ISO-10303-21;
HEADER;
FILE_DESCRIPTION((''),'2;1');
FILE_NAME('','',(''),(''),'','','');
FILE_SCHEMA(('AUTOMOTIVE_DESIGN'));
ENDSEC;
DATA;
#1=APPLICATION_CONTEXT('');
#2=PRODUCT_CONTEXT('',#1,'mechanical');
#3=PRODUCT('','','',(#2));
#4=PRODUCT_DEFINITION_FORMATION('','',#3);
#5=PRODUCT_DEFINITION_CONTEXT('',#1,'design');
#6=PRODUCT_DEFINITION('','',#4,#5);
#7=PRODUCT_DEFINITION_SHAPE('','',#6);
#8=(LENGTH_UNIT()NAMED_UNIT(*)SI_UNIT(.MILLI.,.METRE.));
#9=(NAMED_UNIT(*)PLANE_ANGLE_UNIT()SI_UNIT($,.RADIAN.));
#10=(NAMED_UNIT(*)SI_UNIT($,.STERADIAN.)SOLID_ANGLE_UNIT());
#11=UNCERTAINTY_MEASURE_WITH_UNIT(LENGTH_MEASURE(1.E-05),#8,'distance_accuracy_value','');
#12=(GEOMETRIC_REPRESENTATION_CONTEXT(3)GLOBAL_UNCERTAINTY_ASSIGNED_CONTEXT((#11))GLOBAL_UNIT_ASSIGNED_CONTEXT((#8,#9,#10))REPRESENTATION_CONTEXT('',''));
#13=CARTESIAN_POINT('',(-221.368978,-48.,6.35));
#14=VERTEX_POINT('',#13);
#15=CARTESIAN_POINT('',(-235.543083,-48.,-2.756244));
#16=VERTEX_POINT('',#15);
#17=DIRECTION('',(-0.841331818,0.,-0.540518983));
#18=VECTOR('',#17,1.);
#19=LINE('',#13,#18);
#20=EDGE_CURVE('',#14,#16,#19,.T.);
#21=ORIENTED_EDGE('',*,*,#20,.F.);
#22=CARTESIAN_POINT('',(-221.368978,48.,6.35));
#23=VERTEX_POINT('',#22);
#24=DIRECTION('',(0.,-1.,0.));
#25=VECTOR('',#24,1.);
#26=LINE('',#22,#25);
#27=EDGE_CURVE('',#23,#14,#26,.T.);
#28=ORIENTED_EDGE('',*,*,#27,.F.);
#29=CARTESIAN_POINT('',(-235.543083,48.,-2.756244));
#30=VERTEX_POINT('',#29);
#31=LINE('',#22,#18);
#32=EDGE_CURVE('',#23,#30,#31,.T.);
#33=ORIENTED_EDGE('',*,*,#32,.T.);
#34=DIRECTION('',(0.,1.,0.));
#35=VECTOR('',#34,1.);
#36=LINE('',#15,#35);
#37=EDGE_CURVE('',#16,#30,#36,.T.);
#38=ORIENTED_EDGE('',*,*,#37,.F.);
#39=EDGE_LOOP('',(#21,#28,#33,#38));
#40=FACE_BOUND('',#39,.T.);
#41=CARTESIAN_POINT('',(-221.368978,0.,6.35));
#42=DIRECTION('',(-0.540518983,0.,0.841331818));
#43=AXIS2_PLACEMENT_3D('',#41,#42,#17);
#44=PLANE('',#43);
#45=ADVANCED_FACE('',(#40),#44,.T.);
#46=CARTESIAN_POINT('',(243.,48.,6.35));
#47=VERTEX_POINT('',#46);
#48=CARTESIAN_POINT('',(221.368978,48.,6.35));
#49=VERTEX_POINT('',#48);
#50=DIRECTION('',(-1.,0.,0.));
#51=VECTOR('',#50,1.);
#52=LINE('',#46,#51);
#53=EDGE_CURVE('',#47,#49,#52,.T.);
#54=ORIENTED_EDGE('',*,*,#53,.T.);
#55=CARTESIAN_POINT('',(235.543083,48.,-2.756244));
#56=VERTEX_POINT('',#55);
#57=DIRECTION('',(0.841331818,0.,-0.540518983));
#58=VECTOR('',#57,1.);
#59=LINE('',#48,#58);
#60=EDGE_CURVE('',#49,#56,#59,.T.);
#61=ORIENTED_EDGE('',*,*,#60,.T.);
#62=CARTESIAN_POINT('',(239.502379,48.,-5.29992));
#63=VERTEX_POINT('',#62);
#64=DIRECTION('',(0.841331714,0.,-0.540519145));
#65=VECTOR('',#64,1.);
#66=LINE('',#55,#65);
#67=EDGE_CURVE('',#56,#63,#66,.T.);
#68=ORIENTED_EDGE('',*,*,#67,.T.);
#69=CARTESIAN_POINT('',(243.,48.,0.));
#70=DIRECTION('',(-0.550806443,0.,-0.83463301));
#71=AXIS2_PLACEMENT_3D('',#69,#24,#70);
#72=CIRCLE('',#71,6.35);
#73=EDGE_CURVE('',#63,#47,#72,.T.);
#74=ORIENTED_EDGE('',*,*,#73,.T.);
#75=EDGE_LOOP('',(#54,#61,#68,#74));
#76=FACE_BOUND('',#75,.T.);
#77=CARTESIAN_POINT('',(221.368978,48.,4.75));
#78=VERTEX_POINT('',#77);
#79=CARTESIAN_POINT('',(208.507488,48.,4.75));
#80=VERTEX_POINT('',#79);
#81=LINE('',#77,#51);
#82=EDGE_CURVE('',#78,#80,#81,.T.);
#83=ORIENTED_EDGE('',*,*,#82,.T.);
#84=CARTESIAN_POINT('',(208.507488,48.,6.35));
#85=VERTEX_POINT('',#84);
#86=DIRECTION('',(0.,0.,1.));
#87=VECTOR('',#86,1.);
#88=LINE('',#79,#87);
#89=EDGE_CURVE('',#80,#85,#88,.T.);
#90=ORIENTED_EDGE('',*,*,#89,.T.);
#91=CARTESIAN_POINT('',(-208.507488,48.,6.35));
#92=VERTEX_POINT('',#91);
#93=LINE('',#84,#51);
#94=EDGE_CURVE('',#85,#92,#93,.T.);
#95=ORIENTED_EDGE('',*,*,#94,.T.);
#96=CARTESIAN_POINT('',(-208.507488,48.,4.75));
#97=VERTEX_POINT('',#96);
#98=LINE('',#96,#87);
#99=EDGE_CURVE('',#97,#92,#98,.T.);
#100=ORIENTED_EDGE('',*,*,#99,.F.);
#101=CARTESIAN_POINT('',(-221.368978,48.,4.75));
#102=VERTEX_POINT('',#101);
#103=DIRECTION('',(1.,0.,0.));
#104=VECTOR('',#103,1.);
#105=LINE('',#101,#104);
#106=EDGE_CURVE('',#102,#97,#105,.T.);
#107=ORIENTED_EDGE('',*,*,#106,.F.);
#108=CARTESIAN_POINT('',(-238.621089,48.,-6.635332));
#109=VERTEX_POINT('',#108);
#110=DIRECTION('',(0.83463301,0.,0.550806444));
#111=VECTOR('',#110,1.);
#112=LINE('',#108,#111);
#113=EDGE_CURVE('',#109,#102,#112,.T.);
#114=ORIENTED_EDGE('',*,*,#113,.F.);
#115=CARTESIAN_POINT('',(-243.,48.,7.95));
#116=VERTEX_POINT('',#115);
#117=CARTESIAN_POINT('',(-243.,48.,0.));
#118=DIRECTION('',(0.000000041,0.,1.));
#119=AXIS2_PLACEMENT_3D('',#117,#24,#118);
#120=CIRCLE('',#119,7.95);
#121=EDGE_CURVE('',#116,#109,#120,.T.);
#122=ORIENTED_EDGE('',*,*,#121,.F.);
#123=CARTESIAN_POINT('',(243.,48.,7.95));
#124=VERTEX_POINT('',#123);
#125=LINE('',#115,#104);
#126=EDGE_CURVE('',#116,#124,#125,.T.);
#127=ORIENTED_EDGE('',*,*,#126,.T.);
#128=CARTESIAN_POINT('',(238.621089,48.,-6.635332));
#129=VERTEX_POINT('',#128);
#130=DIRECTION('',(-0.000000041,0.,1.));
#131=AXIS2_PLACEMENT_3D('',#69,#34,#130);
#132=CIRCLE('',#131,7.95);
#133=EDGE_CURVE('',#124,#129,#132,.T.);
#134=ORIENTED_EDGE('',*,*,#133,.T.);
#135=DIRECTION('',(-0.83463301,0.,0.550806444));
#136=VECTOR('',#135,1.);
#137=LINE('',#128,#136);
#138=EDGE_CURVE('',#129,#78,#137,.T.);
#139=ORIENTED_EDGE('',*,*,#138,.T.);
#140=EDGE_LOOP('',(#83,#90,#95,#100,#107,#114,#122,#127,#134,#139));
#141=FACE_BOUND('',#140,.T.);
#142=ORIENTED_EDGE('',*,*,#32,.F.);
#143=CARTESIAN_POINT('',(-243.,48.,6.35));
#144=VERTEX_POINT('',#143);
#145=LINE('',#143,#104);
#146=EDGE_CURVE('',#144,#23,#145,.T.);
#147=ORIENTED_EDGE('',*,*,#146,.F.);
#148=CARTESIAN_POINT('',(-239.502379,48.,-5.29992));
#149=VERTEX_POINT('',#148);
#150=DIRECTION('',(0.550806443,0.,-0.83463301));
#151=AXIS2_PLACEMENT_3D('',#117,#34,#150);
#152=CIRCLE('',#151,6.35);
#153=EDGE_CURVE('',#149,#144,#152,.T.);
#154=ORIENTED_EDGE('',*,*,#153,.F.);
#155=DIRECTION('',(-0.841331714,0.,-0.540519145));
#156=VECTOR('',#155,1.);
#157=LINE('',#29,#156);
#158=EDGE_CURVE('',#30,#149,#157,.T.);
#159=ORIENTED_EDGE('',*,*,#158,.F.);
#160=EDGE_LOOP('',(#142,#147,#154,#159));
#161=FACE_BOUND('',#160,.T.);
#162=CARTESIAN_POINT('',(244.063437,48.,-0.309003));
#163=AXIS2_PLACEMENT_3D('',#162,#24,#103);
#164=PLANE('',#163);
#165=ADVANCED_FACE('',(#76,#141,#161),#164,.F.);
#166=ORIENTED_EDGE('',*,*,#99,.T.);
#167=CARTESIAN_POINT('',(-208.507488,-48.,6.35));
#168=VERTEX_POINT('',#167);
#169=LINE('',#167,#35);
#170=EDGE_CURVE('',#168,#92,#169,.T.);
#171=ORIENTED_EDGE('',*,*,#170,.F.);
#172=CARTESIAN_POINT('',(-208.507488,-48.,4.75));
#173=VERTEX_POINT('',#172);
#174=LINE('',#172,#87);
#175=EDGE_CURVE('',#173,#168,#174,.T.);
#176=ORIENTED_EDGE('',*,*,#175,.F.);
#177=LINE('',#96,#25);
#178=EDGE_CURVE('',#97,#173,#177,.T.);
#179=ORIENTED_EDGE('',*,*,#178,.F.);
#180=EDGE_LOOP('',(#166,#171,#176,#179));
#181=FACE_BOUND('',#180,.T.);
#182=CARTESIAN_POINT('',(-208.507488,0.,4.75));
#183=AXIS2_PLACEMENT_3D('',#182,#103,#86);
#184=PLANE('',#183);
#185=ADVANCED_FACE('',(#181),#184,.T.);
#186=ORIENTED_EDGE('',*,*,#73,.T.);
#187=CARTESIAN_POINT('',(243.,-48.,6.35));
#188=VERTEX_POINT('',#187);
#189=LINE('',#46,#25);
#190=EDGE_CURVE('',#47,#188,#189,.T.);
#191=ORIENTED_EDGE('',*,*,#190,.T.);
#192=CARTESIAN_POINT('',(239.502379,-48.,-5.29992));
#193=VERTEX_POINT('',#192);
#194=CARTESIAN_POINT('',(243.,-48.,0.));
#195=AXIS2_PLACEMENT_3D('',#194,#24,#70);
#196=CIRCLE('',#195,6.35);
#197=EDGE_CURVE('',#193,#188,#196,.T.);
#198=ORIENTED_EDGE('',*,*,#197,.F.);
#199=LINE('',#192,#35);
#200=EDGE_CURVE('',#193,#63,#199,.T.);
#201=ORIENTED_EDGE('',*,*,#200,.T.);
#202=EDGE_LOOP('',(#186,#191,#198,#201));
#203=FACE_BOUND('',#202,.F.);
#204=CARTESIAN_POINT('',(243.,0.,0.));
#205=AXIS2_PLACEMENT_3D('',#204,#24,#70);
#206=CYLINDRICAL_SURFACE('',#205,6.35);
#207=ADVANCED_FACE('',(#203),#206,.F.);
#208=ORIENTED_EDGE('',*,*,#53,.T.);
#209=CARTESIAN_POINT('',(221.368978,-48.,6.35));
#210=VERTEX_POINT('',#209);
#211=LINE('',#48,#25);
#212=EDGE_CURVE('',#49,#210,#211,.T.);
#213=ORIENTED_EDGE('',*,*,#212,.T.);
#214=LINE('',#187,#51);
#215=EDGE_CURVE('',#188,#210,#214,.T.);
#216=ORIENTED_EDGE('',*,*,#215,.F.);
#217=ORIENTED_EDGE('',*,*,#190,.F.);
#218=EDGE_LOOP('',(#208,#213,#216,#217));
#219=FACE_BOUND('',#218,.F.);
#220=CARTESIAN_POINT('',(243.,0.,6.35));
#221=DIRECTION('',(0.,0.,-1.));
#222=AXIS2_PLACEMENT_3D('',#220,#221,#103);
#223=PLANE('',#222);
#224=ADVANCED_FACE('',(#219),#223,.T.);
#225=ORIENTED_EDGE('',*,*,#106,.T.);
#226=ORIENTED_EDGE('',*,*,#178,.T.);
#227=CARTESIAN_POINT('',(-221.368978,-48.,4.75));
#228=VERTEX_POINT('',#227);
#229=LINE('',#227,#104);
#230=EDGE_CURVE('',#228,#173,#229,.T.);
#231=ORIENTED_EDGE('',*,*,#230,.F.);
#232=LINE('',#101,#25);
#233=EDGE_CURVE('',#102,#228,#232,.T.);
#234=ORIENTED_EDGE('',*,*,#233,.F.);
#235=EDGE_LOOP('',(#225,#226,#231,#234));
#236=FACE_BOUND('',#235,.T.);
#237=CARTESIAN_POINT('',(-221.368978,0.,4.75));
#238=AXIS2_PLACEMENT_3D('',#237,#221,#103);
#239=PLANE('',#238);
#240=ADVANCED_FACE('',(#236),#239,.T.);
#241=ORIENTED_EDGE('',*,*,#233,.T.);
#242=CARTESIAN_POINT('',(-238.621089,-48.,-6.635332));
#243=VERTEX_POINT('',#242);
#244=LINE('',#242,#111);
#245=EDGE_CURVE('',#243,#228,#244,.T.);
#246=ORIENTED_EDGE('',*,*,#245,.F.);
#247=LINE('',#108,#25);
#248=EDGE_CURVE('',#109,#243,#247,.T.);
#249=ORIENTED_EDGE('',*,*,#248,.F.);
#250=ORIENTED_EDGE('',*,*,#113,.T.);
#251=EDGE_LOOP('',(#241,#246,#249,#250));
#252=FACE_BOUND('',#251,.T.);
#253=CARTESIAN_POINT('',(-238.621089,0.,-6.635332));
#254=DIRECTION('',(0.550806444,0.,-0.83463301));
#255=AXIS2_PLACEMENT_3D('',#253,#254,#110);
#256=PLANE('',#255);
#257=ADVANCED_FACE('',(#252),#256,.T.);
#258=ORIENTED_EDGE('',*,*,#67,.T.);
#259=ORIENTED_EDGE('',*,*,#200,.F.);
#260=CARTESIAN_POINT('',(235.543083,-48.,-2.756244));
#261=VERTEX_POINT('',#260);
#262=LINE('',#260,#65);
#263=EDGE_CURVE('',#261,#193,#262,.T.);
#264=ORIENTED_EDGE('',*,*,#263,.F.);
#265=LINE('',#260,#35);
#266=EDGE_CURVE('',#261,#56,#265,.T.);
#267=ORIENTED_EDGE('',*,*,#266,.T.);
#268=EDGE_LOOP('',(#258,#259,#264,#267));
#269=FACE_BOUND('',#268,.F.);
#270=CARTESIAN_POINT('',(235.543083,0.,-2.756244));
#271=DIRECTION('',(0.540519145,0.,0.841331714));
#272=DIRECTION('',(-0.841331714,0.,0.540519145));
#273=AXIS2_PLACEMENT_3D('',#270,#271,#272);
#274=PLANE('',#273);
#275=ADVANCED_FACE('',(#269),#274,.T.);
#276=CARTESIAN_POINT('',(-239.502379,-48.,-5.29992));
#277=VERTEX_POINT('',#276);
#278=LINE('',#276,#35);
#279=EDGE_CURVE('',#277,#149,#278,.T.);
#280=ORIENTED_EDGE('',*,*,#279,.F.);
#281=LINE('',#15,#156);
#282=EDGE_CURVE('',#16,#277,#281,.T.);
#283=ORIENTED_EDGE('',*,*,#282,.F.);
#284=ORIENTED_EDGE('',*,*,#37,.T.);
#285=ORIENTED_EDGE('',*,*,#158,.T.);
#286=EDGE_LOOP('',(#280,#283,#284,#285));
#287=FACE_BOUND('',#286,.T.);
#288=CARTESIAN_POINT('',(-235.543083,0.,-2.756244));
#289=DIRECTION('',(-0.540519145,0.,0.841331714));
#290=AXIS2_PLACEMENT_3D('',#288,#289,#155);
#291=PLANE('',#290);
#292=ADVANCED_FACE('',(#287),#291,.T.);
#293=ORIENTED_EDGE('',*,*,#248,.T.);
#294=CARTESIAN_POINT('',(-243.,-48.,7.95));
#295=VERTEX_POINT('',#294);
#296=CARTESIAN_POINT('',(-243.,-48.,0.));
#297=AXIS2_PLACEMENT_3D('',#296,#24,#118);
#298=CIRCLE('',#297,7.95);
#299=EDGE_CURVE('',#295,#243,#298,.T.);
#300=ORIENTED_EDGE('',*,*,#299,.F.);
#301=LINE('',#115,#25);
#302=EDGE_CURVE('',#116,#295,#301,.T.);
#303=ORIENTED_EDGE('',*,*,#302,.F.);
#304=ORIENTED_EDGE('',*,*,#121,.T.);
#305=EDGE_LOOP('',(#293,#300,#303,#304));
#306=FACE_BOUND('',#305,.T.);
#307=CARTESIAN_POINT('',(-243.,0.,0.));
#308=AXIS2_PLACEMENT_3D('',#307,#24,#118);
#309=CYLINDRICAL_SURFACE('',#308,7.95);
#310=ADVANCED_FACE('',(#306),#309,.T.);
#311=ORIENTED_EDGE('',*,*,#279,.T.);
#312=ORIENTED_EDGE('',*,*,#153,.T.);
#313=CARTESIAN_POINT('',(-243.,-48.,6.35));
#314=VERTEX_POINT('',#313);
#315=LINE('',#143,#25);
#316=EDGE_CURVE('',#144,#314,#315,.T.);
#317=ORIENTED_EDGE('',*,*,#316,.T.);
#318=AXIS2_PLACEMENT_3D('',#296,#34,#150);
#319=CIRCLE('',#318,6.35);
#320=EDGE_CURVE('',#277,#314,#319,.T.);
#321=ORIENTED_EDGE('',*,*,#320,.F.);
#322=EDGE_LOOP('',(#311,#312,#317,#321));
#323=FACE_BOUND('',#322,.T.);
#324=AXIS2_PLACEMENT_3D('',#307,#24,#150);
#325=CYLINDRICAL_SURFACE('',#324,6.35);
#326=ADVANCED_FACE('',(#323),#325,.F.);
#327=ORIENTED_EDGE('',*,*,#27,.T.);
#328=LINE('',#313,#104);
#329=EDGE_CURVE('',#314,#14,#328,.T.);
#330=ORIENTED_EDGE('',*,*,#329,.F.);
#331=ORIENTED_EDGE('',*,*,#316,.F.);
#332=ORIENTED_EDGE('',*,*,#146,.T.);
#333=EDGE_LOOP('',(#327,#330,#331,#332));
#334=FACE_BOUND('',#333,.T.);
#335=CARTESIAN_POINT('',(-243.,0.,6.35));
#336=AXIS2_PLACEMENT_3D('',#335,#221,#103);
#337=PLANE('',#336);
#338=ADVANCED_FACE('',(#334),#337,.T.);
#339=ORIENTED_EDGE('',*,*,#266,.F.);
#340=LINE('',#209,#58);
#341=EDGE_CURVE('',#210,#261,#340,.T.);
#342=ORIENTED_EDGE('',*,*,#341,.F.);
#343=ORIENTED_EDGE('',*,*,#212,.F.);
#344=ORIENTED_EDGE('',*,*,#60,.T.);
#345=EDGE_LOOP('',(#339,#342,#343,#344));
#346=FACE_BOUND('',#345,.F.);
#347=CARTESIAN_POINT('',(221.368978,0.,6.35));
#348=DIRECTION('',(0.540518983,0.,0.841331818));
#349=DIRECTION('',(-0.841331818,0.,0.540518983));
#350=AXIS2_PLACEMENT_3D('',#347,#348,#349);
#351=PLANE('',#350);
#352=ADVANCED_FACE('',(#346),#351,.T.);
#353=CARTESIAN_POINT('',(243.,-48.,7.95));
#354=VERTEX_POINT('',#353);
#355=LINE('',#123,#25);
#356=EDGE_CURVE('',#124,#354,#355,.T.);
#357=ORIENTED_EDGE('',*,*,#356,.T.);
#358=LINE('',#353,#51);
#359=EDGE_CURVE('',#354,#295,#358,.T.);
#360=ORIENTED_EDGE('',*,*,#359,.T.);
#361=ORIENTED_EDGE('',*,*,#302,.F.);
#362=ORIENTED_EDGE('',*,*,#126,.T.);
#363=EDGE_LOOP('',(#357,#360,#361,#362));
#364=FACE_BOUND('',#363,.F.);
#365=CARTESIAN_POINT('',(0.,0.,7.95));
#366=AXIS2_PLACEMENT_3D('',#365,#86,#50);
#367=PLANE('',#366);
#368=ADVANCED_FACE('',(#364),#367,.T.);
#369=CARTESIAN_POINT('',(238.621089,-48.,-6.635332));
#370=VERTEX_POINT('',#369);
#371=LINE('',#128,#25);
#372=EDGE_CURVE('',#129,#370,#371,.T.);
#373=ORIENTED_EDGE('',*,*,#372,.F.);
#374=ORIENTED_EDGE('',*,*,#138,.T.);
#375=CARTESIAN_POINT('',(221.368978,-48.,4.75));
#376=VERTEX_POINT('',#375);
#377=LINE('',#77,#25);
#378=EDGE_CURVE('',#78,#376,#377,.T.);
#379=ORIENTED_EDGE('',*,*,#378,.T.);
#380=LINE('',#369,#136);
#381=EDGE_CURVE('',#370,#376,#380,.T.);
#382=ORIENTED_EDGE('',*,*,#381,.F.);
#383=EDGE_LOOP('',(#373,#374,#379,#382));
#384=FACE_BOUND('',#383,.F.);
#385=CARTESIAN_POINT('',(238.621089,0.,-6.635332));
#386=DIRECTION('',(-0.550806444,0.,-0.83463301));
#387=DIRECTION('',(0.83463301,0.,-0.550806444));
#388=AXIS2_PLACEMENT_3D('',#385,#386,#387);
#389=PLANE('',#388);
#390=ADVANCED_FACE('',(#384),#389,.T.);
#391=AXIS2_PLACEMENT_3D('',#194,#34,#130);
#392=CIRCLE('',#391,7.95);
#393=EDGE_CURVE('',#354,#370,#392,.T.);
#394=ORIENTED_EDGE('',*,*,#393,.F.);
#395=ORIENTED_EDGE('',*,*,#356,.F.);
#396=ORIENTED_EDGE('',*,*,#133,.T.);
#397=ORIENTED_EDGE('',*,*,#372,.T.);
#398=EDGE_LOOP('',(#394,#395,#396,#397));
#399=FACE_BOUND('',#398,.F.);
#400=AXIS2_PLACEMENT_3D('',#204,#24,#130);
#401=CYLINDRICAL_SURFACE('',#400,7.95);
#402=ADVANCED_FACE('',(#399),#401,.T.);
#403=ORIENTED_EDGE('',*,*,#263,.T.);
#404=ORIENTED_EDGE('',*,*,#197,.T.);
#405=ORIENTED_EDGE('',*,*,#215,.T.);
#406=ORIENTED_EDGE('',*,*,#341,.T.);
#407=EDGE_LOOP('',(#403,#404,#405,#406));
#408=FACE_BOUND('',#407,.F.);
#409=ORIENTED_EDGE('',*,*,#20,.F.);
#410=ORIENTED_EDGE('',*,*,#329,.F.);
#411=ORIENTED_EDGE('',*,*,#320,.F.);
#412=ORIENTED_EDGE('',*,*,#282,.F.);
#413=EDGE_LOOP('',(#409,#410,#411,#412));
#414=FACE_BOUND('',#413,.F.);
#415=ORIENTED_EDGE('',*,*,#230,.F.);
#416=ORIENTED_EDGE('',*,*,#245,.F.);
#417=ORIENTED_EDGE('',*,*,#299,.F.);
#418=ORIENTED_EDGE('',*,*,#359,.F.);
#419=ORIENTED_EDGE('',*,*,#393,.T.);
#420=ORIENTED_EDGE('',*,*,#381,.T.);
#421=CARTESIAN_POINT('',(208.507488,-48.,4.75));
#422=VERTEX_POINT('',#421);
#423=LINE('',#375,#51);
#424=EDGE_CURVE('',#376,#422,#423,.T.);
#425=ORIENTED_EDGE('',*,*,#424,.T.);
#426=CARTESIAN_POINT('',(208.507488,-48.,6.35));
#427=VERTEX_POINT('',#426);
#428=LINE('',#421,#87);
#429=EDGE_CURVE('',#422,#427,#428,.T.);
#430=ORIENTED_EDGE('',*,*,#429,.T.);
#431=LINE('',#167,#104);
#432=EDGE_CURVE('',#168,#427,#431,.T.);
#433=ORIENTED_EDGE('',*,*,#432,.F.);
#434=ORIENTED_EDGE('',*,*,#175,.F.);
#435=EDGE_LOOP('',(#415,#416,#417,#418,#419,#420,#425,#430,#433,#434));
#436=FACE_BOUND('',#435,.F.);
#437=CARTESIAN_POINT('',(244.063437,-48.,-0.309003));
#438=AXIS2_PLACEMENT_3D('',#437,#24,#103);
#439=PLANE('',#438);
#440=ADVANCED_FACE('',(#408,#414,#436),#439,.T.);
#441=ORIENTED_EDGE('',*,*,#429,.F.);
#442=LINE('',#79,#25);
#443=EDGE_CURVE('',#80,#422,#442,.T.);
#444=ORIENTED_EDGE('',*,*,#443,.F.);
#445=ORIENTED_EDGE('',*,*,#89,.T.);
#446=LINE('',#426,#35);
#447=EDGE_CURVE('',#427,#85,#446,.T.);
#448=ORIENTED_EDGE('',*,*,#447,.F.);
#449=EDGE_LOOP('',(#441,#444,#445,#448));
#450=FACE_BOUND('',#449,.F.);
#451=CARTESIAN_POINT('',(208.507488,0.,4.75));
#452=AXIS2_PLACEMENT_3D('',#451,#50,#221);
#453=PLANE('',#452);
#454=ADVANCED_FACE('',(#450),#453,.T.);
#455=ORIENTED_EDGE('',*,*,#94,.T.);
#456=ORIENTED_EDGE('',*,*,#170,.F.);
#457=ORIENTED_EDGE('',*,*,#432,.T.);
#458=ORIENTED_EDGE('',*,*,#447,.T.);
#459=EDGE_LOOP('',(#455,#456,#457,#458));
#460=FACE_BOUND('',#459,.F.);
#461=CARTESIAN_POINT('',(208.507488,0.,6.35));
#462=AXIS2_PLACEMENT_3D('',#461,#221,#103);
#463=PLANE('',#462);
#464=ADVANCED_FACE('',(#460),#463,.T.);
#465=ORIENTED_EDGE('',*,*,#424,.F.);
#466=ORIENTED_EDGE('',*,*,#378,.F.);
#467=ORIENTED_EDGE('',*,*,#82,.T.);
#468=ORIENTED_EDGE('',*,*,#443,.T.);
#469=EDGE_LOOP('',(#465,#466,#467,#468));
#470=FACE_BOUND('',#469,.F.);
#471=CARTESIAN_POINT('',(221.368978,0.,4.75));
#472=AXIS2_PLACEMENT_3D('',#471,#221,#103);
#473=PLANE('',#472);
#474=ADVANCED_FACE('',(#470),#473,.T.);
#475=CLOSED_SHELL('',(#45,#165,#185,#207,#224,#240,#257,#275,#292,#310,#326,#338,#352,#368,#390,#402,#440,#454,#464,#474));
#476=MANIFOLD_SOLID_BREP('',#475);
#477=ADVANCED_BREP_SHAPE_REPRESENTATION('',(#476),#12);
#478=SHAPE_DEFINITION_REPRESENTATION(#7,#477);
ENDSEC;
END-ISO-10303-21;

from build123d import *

# Parameters (mm, degrees)
F2_DEPTH      = 48
F2_DEPTH_BACK = 48


with BuildPart() as f2:
    # F1 (on Front) → F2 (new body, two sides)
    with BuildSketch(Plane.XZ) as f2_sk:
        with BuildLine():
            ThreePointArc((-239.502379, -5.29992), (-249.081817, -1.825926), (-243, 6.35))
            Line((-243, 6.35), (-238.216696, 6.35))
            ThreePointArc((-238.216696, 6.35), (-240.478096, 7.539397), (-243, 7.95))
            ThreePointArc((-243, 7.95), (-250.614243, -2.286002), (-238.621089, -6.635332))
            ThreePointArc((-238.621089, -6.635332), (-236.772357, -4.941554), (-235.543083, -2.756244))
            Line((-235.543083, -2.756244), (-239.502379, -5.29992))
        make_face()
        with BuildLine():
            ThreePointArc((-243, 7.95), (-240.478096, 7.539397), (-238.216696, 6.35))
            Line((-238.216696, 6.35), (-221.368978, 6.35))
            Line((-221.368978, 6.35), (-208.507488, 6.35))
            Line((-208.507488, 6.35), (0, 6.35))
            Line((0, 6.35), (0, 7.95))
            Line((0, 7.95), (-243, 7.95))
        make_face()
        with BuildLine():
            Line((-221.368978, 6.35), (-235.543083, -2.756244))
            ThreePointArc((-235.543083, -2.756244), (-236.772357, -4.941554), (-238.621089, -6.635332))
            Line((-238.621089, -6.635332), (-221.368978, 4.75))
            Line((-221.368978, 4.75), (-208.507488, 4.75))
            Line((-208.507488, 4.75), (-208.507488, 6.35))
            Line((-208.507488, 6.35), (-221.368978, 6.35))
        make_face()
    extrude(amount=F2_DEPTH)
    extrude(f2_sk.sketch, amount=-F2_DEPTH_BACK)

    # F3: F2 across plane


with BuildPart() as f2_1:
    add(f2.part)
    add(f2.part.mirror(Plane.YZ))


solid = f2_1.part
